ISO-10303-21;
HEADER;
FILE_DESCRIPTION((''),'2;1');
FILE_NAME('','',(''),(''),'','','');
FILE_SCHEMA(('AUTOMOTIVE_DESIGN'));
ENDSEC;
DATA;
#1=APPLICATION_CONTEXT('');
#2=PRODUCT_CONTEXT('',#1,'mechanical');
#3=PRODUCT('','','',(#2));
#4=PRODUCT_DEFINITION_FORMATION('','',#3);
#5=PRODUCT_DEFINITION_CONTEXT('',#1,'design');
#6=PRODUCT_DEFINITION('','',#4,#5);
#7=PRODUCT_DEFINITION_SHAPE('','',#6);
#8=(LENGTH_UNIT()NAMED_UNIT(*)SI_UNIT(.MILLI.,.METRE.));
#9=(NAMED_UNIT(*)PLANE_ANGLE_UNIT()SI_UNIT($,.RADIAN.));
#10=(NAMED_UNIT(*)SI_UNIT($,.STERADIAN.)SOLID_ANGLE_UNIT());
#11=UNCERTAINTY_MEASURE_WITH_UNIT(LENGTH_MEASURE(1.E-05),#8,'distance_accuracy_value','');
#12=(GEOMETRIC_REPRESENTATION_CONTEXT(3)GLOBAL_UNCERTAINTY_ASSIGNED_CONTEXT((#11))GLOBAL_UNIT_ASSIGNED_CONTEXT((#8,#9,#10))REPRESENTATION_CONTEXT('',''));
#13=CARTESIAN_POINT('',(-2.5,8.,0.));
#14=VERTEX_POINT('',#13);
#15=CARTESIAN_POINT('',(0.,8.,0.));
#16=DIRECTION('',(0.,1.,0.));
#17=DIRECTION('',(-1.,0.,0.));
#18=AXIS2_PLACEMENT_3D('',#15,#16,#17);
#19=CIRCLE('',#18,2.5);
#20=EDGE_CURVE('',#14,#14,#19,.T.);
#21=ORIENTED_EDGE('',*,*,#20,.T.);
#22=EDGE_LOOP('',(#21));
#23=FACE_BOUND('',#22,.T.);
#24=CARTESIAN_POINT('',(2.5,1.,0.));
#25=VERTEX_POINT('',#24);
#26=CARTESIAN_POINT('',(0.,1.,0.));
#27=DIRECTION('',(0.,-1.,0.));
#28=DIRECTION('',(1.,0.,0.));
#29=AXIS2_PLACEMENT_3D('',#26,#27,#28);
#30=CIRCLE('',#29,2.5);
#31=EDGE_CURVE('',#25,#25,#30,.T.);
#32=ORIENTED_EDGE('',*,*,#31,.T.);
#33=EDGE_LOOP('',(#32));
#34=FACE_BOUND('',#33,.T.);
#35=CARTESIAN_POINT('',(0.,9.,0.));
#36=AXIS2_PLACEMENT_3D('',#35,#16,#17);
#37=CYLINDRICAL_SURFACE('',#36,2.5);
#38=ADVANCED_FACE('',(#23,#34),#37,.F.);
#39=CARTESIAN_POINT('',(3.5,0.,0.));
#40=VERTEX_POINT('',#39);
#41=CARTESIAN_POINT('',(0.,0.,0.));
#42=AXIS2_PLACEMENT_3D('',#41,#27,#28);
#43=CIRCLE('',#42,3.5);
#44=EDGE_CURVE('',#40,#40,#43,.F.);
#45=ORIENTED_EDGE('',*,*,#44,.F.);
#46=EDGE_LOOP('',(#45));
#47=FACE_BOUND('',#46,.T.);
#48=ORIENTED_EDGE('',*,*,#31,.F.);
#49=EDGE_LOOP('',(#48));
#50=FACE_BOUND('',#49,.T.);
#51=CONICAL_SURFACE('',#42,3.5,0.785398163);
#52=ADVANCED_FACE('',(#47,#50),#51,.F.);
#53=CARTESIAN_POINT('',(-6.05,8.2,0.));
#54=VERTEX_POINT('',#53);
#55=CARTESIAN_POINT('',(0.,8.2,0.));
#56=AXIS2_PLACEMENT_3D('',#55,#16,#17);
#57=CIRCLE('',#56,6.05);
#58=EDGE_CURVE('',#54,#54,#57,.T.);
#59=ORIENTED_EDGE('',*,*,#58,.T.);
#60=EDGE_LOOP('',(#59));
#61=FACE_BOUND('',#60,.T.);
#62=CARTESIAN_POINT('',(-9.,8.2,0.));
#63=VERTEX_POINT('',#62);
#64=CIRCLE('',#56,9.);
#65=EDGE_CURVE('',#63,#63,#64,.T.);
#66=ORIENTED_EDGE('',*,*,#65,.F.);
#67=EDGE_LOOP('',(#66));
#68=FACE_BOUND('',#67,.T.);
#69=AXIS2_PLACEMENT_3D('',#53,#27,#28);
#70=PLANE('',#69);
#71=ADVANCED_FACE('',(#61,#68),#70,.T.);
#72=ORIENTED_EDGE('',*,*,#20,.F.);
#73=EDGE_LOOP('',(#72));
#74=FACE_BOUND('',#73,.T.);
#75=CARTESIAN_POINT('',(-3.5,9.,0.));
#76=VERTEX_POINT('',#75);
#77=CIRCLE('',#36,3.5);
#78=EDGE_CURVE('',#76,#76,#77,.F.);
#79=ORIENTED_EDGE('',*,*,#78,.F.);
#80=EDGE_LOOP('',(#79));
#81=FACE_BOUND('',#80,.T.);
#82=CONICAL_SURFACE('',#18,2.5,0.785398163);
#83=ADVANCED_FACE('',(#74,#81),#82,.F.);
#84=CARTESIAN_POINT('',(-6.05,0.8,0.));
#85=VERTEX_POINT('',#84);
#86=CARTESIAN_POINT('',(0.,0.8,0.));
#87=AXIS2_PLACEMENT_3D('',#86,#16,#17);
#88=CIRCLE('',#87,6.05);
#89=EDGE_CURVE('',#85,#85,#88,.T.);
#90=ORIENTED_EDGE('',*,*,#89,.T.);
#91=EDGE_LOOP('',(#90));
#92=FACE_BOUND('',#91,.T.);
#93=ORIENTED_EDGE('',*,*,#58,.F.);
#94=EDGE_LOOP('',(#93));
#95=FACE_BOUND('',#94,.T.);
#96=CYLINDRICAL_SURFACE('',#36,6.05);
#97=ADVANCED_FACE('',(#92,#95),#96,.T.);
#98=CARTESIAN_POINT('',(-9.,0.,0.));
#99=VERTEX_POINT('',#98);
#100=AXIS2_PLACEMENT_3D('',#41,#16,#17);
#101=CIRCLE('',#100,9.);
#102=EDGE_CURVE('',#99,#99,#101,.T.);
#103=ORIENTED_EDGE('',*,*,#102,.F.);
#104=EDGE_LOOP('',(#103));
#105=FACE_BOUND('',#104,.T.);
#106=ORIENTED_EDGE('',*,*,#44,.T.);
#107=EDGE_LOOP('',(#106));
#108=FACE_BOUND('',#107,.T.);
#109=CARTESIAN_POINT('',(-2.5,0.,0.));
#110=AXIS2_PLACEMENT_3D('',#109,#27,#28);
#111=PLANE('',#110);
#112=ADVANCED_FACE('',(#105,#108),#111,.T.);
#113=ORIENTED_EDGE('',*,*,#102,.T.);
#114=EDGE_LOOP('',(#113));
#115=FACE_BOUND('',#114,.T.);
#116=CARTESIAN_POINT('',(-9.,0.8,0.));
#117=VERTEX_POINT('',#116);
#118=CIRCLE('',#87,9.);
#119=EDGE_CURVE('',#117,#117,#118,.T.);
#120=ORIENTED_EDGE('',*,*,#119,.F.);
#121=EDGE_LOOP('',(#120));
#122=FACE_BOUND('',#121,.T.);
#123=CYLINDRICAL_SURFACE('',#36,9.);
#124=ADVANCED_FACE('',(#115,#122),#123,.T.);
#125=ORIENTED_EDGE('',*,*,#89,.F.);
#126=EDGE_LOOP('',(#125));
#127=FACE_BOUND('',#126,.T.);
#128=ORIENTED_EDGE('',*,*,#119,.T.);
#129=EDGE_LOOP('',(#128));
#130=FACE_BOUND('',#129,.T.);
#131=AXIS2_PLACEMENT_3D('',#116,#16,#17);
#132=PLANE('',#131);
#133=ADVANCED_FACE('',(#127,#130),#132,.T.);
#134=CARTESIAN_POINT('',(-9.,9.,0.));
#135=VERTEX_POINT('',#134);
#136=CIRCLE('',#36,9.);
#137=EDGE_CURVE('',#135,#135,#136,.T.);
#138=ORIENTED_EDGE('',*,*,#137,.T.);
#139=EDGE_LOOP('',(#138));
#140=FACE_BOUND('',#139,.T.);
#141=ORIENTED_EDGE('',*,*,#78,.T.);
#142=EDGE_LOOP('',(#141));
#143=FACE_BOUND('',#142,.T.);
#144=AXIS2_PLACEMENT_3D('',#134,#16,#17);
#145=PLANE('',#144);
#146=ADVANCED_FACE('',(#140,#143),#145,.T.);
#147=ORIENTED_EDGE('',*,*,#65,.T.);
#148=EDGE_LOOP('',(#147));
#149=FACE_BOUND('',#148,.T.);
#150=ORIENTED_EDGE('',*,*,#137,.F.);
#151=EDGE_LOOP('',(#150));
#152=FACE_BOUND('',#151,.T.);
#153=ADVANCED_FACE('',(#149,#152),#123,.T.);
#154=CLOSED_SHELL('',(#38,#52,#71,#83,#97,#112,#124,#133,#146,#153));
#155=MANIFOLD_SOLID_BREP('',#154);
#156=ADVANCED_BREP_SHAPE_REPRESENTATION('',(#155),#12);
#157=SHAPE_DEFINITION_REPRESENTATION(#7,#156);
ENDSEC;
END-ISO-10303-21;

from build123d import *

# Parameters (mm, degrees)
CHAMFER_1_SIZE = 1
CHAMFER_2_SIZE = 1


with BuildPart() as part:
    # Эскиз1 → Повернуть1 (revolve)
    with BuildSketch(Plane.XY):
        Polygon((-2.5, 0), (-9, 0), (-9, 0.8), (-6.05, 0.8), (-6.05, 8.2), (-9, 8.2), (-9, 9), (-2.5, 9), align=None)
    revolve(axis=Axis((0, 9, 0), (0, -1, 0)))

    # Фаска1
    chamfer_1_edges = [part.edges().sort_by_distance(p)[0] for p in [
        (2.5, 9, 0),
    ]]
    chamfer(chamfer_1_edges, length=CHAMFER_1_SIZE)

    # Фаска2
    chamfer_2_edges = [part.edges().sort_by_distance(p)[0] for p in [
        (2.5, 0, 0),
    ]]
    chamfer(chamfer_2_edges, length=CHAMFER_2_SIZE)


solid = part.part
